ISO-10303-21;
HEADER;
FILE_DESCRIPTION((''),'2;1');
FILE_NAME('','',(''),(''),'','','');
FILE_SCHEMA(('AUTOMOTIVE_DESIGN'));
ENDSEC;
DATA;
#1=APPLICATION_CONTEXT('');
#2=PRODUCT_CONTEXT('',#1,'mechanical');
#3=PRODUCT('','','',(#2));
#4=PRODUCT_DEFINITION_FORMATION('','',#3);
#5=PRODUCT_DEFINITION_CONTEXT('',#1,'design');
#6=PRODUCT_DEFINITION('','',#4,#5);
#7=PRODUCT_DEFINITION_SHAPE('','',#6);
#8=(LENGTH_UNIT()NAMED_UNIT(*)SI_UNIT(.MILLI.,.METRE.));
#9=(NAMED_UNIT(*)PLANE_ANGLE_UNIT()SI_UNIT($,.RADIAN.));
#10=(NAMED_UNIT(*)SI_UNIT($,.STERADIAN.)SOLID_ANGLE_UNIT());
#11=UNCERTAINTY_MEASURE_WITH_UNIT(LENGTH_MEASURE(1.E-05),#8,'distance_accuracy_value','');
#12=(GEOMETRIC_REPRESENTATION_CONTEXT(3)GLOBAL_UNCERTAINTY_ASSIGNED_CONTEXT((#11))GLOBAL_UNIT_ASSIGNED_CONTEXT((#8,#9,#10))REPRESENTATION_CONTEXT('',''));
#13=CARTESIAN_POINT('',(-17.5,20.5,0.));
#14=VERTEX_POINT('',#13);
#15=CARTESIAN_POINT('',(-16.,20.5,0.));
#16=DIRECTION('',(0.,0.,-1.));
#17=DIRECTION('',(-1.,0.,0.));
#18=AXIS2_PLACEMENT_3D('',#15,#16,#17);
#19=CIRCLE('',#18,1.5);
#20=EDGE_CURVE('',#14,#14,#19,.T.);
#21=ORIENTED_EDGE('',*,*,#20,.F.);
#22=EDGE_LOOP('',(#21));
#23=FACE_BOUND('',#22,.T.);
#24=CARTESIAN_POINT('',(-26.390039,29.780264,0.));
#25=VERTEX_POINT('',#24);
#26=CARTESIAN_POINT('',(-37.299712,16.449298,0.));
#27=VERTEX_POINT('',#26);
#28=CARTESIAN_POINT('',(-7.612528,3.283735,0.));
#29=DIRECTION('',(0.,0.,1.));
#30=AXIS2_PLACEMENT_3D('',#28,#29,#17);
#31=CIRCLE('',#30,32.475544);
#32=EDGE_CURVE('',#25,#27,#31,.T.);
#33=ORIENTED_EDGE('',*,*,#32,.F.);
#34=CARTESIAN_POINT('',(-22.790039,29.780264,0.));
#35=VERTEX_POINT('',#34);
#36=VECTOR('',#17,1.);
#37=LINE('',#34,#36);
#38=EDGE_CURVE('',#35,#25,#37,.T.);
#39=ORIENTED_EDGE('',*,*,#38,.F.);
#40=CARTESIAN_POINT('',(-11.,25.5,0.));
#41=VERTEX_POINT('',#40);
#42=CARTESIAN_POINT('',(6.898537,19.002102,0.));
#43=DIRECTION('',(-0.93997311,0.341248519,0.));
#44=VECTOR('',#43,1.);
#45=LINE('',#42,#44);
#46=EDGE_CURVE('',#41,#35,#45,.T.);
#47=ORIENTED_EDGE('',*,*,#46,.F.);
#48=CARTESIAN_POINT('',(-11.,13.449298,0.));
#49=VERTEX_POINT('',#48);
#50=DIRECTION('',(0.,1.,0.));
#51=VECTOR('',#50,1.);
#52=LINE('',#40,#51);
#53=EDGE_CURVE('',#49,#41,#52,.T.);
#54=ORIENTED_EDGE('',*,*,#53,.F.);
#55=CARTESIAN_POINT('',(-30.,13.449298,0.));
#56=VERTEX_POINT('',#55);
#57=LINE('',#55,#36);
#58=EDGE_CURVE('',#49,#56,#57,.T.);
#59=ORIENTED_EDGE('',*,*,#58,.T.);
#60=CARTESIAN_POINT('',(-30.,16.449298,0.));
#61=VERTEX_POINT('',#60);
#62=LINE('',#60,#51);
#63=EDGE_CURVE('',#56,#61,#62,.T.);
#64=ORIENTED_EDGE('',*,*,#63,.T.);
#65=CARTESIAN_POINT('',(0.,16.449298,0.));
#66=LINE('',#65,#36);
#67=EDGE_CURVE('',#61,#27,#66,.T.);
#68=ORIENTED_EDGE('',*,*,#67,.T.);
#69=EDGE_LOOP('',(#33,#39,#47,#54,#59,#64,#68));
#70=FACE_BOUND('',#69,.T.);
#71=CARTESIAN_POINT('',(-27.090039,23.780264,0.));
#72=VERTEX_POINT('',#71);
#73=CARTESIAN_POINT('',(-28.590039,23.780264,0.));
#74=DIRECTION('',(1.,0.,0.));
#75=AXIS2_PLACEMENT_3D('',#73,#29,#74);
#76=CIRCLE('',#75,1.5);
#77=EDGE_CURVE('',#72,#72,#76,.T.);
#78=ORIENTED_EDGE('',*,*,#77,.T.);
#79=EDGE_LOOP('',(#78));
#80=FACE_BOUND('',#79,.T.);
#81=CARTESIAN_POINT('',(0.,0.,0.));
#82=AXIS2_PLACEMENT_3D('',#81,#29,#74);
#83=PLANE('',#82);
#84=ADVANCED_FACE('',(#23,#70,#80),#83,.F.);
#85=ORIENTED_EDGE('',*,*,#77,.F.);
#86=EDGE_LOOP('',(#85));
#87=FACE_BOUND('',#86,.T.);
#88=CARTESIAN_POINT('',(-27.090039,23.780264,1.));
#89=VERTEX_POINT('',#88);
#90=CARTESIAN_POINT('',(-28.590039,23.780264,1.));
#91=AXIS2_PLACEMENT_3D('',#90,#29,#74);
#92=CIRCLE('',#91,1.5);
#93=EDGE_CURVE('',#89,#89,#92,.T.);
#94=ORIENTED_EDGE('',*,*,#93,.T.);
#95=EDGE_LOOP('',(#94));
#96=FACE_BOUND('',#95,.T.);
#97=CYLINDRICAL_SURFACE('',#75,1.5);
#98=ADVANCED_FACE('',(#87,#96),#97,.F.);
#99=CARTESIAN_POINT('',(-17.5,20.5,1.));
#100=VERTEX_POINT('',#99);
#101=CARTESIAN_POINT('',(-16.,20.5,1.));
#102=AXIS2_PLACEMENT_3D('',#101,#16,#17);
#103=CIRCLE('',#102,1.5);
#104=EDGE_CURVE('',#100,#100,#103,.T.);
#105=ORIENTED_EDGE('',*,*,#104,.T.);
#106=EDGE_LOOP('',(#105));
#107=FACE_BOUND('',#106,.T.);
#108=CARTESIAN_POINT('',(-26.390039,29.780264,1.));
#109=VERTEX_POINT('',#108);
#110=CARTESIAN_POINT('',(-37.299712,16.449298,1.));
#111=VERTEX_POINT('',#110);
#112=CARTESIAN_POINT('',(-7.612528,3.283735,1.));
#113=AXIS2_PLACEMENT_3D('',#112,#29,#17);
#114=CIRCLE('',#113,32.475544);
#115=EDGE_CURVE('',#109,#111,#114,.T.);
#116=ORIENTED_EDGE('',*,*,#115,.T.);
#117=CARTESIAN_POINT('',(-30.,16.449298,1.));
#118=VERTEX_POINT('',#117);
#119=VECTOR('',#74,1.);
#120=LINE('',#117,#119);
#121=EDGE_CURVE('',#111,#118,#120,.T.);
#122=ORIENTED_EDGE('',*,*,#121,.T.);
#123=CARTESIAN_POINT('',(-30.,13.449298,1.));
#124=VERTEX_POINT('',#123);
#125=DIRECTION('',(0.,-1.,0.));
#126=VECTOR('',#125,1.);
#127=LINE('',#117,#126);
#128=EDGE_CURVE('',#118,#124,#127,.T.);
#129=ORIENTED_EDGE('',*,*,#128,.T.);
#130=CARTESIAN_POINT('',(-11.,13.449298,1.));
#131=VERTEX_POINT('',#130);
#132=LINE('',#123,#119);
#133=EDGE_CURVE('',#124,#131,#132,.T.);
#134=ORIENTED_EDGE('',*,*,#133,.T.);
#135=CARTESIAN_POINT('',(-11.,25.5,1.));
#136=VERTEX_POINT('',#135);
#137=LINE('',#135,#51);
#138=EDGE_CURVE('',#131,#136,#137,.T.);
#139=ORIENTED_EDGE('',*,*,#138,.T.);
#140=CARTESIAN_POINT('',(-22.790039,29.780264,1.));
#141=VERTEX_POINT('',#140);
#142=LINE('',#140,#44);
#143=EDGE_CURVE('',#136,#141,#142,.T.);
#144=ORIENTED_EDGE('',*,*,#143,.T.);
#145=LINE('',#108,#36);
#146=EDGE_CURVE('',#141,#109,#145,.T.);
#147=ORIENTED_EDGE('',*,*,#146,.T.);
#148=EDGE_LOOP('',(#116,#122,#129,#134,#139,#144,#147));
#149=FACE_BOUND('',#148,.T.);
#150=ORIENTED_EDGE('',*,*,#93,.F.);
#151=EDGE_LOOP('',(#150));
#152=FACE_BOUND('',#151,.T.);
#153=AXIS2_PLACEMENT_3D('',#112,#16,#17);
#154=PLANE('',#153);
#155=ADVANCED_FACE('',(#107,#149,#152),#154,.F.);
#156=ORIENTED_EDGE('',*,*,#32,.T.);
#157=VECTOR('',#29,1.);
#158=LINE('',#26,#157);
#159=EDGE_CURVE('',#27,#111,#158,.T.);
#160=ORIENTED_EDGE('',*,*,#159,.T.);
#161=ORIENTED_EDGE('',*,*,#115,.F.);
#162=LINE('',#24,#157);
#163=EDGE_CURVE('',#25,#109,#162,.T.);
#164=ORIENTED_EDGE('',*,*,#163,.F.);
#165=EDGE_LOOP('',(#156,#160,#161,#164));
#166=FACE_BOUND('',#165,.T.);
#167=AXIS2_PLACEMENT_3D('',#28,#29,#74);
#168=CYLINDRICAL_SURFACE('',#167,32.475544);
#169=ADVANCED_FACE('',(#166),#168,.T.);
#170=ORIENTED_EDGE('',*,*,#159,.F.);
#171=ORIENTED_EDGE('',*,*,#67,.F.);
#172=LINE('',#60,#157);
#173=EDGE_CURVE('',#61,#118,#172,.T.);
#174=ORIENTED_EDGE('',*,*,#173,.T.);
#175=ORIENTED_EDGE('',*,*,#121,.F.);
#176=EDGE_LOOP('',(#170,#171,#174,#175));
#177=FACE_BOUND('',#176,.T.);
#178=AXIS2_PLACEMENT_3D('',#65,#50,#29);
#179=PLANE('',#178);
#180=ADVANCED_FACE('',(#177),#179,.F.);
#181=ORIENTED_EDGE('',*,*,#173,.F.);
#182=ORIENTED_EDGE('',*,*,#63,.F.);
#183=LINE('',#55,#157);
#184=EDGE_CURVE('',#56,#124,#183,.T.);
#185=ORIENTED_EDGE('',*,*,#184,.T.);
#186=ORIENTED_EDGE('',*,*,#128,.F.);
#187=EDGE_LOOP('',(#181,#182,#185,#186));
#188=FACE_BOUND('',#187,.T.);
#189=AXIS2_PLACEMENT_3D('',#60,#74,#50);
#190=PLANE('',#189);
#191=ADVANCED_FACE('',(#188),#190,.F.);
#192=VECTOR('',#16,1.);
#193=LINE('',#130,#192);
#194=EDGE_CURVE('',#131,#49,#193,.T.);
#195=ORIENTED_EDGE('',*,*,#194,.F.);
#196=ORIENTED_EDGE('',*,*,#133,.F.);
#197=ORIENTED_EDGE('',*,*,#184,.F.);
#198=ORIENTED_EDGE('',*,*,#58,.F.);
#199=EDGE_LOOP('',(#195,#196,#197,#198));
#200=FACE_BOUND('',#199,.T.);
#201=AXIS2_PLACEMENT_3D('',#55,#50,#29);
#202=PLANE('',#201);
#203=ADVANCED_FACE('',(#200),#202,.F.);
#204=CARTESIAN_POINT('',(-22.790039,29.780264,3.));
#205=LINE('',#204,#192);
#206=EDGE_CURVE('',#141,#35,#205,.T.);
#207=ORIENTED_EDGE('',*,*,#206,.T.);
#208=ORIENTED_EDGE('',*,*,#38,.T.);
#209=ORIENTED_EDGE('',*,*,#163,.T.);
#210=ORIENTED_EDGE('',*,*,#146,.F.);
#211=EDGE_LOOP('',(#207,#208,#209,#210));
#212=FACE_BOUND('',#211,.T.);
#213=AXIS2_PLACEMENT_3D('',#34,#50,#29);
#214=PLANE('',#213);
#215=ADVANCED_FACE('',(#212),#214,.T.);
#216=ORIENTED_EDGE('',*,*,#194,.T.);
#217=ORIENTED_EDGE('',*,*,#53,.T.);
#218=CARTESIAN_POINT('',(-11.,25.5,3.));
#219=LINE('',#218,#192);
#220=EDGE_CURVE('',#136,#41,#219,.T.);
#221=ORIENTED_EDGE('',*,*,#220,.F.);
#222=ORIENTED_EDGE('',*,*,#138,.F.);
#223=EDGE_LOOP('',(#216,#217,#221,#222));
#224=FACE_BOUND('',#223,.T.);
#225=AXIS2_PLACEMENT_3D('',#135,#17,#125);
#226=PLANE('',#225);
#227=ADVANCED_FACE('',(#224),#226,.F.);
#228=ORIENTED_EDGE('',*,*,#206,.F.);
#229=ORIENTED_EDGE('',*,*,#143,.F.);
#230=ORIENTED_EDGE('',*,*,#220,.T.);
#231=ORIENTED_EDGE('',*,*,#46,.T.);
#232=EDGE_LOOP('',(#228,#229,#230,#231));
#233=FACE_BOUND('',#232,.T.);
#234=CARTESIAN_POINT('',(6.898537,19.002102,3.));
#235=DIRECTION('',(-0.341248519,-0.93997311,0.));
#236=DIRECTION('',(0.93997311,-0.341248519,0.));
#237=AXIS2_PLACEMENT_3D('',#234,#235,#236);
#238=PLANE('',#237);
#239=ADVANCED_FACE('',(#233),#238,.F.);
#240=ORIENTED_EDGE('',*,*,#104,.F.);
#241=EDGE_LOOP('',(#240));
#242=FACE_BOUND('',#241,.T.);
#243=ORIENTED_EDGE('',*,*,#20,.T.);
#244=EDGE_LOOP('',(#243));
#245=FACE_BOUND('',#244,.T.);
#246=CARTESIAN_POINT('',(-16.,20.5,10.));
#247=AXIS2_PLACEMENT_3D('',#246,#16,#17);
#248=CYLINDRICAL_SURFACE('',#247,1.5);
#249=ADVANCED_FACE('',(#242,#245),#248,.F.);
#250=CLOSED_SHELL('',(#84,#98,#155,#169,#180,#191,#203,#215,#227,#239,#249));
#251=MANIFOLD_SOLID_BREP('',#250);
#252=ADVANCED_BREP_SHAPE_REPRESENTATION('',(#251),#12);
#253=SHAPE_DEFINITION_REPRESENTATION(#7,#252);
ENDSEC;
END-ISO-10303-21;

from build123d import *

# Parameters (mm, degrees)
BOSS_EXTRUDE1_DEPTH = 3
SKETCH2_R           = 1.5
CUT_EXTRUDE3_DEPTH  = 3
CUT_EXTRUDE4_START  = -10
CUT_EXTRUDE4_DEPTH  = 10
BOSS_EXTRUDE2_START = -3
BOSS_EXTRUDE2_DEPTH = 3
SKETCH5_W           = 0.56
SKETCH5_H           = 32.898596714
CUT_EXTRUDE5_DEPTH  = 3
SKETCH6_W           = 0.2
SKETCH6_H           = 32.898596714
CUT_EXTRUDE6_DEPTH  = 3
SKETCH7_R           = 2
CUT_EXTRUDE8_DEPTH  = 3
BOSS_EXTRUDE3_START = -3
BOSS_EXTRUDE3_DEPTH = 3
CUT_EXTRUDE9_START  = -3
CUT_EXTRUDE9_DEPTH  = 3
BOSS_EXTRUDE5_START = -3
BOSS_EXTRUDE5_DEPTH = 3
CUT_EXTRUDE10_START = -2
CUT_EXTRUDE10_DEPTH = 2
CUT_EXTRUDE11_START = -3
CUT_EXTRUDE11_DEPTH = 3
SKETCH13_R          = 1.5
CUT_EXTRUDE12_DEPTH = 1
CUT_EXTRUDE13_DEPTH = 1
SKETCH16_R          = 1.5
CUT_EXTRUDE16_DEPTH = 10


with BuildPart() as part:
    # Sketch1 → Boss-Extrude1 (new body)
    with BuildSketch(Plane.XY):
        with BuildLine():
            Line((-11, 25.5), (-22.790038711, 29.780264196))
            ThreePointArc((-22.790038711, 29.780264196), (0, -37.5), (22.790038711, 29.780264196))
            Line((22.790038711, 29.780264196), (11, 25.5))
            Line((11, 25.5), (-11, 25.5))
        make_face()
    extrude(amount=BOSS_EXTRUDE1_DEPTH)

    # Sketch2 → Cut-Extrude3 (cut)
    with BuildSketch(Plane.XY.offset(3)):
        with Locations((-25.400000001, 10.496905453)):
            Circle(SKETCH2_R)
        with Locations((-25.399981845, -10.493094547)):
            Circle(SKETCH2_R)
        with Locations(Location((25.399981845, -10.493094547, 0), (0, 0, 180))):
            Circle(SKETCH2_R)
        with Locations(Location((25.400000001, 10.496905453, 0), (0, 0, 180))):
            Circle(SKETCH2_R)
    extrude(amount=-CUT_EXTRUDE3_DEPTH, mode=Mode.SUBTRACT)

    # Sketch3 → Cut-Extrude4 (cut)
    with BuildSketch(Plane.XY.offset(3).offset(CUT_EXTRUDE4_START)):
        with BuildLine():
            Line((-30.76, 21.449298357), (-30.76, -21.449298357))
            ThreePointArc((-30.76, -21.449298357), (-37.5, 0), (-30.76, 21.449298357))
        make_face()
        with BuildLine():
            Line((30.76, 21.449298357), (30.76, -21.449298357))
            ThreePointArc((30.76, -21.449298357), (37.5, 0), (30.76, 21.449298357))
        make_face()
    extrude(amount=CUT_EXTRUDE4_DEPTH, mode=Mode.SUBTRACT)

    # Sketch4 → Boss-Extrude2 (add)
    with BuildSketch(Plane.XY.offset(3).offset(BOSS_EXTRUDE2_START)):
        with BuildLine():
            Line((-30.76, -21.449298357), (-30.76, -16.449298357))
            Line((-30.76, -16.449298357), (-33.699711921, -16.449298357))
            ThreePointArc((-33.699711921, -16.449298357), (-32.32667034, -19.006219634), (-30.76, -21.449298357))
        make_face()
        with BuildLine():
            Line((-33.699711921, 16.449298357), (-30.76, 16.449298357))
            Line((-30.76, 16.449298357), (-30.76, 21.449298357))
            ThreePointArc((-30.76, 21.449298357), (-32.32667034, 19.006219634), (-33.699711921, 16.449298357))
        make_face()
        with BuildLine():
            Line((30.76, 21.449298357), (30.76, 16.449298357))
            Line((30.76, 16.449298357), (33.699711921, 16.449298357))
            ThreePointArc((33.699711921, 16.449298357), (32.32667034, 19.006219634), (30.76, 21.449298357))
        make_face()
        with BuildLine():
            Line((30.76, -16.449298357), (30.76, -21.449298357))
            ThreePointArc((30.76, -21.449298357), (32.32667034, -19.006219634), (33.699711921, -16.449298357))
            Line((33.699711921, -16.449298357), (30.76, -16.449298357))
        make_face()
    extrude(amount=BOSS_EXTRUDE2_DEPTH)

    # Sketch5 → Cut-Extrude5 (cut)
    with BuildSketch(Plane.XY.offset(3)):
        with Locations((-30.48, 0)):
            Rectangle(SKETCH5_W, SKETCH5_H)
        with Locations((30.48, 0)):
            Rectangle(SKETCH5_W, SKETCH5_H)
    extrude(amount=-CUT_EXTRUDE5_DEPTH, mode=Mode.SUBTRACT)

    # Sketch6 → Cut-Extrude6 (cut)
    with BuildSketch(Plane.XY.offset(3)):
        with Locations((-30.1, 0)):
            Rectangle(SKETCH6_W, SKETCH6_H)
        with Locations((30.1, 0)):
            Rectangle(SKETCH6_W, SKETCH6_H)
    extrude(amount=-CUT_EXTRUDE6_DEPTH, mode=Mode.SUBTRACT)

    # Sketch7 → Cut-Extrude8 (cut)
    with BuildSketch(Plane.XY.offset(3)):
        with Locations((-19.15, -21.55)):
            Circle(SKETCH7_R)
        with Locations(Location((19.15, -21.55, 0), (0, 0, 180))):
            Circle(SKETCH7_R)
    extrude(amount=-CUT_EXTRUDE8_DEPTH, mode=Mode.SUBTRACT)

    # Sketch8 → Boss-Extrude3 (add)
    with BuildSketch(Plane.XY.offset(3).offset(BOSS_EXTRUDE3_START)):
        with BuildLine():
            Line((-33.699711921, 16.449298357), (-37.299711921, 16.449298357))
            ThreePointArc((-37.299711921, 16.449298357), (-32.744884003, 23.851322108), (-26.390038711, 29.780264196))
            Line((-26.390038711, 29.780264196), (-22.790038711, 29.780264196))
            ThreePointArc((-22.790038711, 29.780264196), (-29.020710607, 23.749702226), (-33.699711921, 16.449298357))
        make_face()
        with BuildLine():
            Line((33.699711921, 16.449298357), (37.299711921, 16.449298357))
            ThreePointArc((37.299711921, 16.449298357), (32.744884003, 23.851322108), (26.390038711, 29.780264196))
            Line((26.390038711, 29.780264196), (22.790038711, 29.780264196))
            ThreePointArc((22.790038711, 29.780264196), (29.020710607, 23.749702226), (33.699711921, 16.449298357))
        make_face()
    extrude(amount=BOSS_EXTRUDE3_DEPTH)

    # Sketch9 → Cut-Extrude9 (cut)
    with BuildSketch(Plane.XY.offset(3).offset(CUT_EXTRUDE9_START)):
        with BuildLine():
            Line((4.733920151, -37.2), (-4.733920151, -37.2))
            ThreePointArc((-4.733920151, -37.2), (0, -37.5), (4.733920151, -37.2))
        make_face()
    extrude(amount=CUT_EXTRUDE9_DEPTH, mode=Mode.SUBTRACT)

    # Sketch10 → Boss-Extrude5 (add)
    with BuildSketch(Plane.XY.offset(3).offset(BOSS_EXTRUDE5_START)):
        with BuildLine():
            ThreePointArc((-4.733920151, -37.2), (-21.838816892, -30.484685938), (-33.699711921, -16.449298357))
            Line((-33.699711921, -16.449298357), (-37.299711921, -16.449298357))
            ThreePointArc((-37.299711921, -16.449298357), (-23.43831182, -30.624902723), (-4.733920151, -37.2))
        make_face()
        with BuildLine():
            ThreePointArc((33.699711921, -16.449298357), (21.838816892, -30.484685938), (4.733920151, -37.2))
            ThreePointArc((4.733920151, -37.2), (23.43831182, -30.624902723), (37.299711921, -16.449298357))
            Line((37.299711921, -16.449298357), (33.699711921, -16.449298357))
        make_face()
        with BuildLine():
            Line((4.733920151, -37.2), (-4.733920151, -37.2))
            ThreePointArc((-4.733920151, -37.2), (0, -37.457659609), (4.733920151, -37.2))
        make_face()
    extrude(amount=BOSS_EXTRUDE5_DEPTH)

    # Sketch11 → Cut-Extrude10 (cut)
    with BuildSketch(Plane.XY.offset(3).offset(CUT_EXTRUDE10_START)):
        with BuildLine():
            Line((-30, 16.449298357), (-30, 13.449298357))
            Line((-30, 13.449298357), (30, 13.449298357))
            Line((30, 13.449298357), (30, 16.449298357))
            Line((30, 16.449298357), (37.299711921, 16.449298357))
            ThreePointArc((37.299711921, 16.449298357), (32.744884003, 23.851322108), (26.390038711, 29.780264196))
            Line((26.390038711, 29.780264196), (22.790038711, 29.780264196))
            Line((22.790038711, 29.780264196), (11, 25.5))
            Line((11, 25.5), (-11, 25.5))
            Line((-11, 25.5), (-22.790038711, 29.780264196))
            Line((-22.790038711, 29.780264196), (-26.390038711, 29.780264196))
            ThreePointArc((-26.390038711, 29.780264196), (-32.744884003, 23.851322108), (-37.299711921, 16.449298357))
            Line((-37.299711921, 16.449298357), (-30, 16.449298357))
        make_face()
    extrude(amount=CUT_EXTRUDE10_DEPTH, mode=Mode.SUBTRACT)

    # Sketch12 → Cut-Extrude11 (cut)
    with BuildSketch(Plane.XY.offset(3).offset(CUT_EXTRUDE11_START)):
        with BuildLine():
            Line((-30, 13.449298357), (-30, -16.449298357))
            Line((-30, -16.449298357), (-37.299711921, -16.449298357))
            ThreePointArc((-37.299711921, -16.449298357), (0, -37.457659609), (37.299711921, -16.449298357))
            Line((37.299711921, -16.449298357), (30, -16.449298357))
            Line((30, -16.449298357), (30, 13.449298357))
            Line((30, 13.449298357), (-30, 13.449298357))
        make_face()
    extrude(amount=CUT_EXTRUDE11_DEPTH, mode=Mode.SUBTRACT)

    # Sketch13 → Cut-Extrude12 (cut)
    with BuildSketch(Plane.XY.offset(1)):
        with Locations((-28.590038711, 23.780264196)):
            Circle(SKETCH13_R)
        with Locations(Location((28.590038711, 23.780264196, 0), (0, 0, 180))):
            Circle(SKETCH13_R)
    extrude(amount=-CUT_EXTRUDE12_DEPTH, mode=Mode.SUBTRACT)

    # Sketch14 → Cut-Extrude13 (cut)
    with BuildSketch(Plane(origin=(0, 0, 0), x_dir=(-1, 0, 0), z_dir=(0, 0, -1))):
        Polygon((11, 25.5), (11, 13.449298357), (-37.921130539, 13.449298357), (-37.921130539, 32.14037145), (-13.46056527, 32.14037145), (-11, 25.5), align=None)
    extrude(amount=-CUT_EXTRUDE13_DEPTH, mode=Mode.SUBTRACT)

    # Sketch16 → Cut-Extrude16 (cut)
    with BuildSketch(Plane(origin=(0, 0, 0), x_dir=(-1, 0, 0), z_dir=(0, 0, -1))):
        with Locations((16, 20.5)):
            Circle(SKETCH16_R)
    extrude(amount=-CUT_EXTRUDE16_DEPTH, mode=Mode.SUBTRACT)


solid = part.part
